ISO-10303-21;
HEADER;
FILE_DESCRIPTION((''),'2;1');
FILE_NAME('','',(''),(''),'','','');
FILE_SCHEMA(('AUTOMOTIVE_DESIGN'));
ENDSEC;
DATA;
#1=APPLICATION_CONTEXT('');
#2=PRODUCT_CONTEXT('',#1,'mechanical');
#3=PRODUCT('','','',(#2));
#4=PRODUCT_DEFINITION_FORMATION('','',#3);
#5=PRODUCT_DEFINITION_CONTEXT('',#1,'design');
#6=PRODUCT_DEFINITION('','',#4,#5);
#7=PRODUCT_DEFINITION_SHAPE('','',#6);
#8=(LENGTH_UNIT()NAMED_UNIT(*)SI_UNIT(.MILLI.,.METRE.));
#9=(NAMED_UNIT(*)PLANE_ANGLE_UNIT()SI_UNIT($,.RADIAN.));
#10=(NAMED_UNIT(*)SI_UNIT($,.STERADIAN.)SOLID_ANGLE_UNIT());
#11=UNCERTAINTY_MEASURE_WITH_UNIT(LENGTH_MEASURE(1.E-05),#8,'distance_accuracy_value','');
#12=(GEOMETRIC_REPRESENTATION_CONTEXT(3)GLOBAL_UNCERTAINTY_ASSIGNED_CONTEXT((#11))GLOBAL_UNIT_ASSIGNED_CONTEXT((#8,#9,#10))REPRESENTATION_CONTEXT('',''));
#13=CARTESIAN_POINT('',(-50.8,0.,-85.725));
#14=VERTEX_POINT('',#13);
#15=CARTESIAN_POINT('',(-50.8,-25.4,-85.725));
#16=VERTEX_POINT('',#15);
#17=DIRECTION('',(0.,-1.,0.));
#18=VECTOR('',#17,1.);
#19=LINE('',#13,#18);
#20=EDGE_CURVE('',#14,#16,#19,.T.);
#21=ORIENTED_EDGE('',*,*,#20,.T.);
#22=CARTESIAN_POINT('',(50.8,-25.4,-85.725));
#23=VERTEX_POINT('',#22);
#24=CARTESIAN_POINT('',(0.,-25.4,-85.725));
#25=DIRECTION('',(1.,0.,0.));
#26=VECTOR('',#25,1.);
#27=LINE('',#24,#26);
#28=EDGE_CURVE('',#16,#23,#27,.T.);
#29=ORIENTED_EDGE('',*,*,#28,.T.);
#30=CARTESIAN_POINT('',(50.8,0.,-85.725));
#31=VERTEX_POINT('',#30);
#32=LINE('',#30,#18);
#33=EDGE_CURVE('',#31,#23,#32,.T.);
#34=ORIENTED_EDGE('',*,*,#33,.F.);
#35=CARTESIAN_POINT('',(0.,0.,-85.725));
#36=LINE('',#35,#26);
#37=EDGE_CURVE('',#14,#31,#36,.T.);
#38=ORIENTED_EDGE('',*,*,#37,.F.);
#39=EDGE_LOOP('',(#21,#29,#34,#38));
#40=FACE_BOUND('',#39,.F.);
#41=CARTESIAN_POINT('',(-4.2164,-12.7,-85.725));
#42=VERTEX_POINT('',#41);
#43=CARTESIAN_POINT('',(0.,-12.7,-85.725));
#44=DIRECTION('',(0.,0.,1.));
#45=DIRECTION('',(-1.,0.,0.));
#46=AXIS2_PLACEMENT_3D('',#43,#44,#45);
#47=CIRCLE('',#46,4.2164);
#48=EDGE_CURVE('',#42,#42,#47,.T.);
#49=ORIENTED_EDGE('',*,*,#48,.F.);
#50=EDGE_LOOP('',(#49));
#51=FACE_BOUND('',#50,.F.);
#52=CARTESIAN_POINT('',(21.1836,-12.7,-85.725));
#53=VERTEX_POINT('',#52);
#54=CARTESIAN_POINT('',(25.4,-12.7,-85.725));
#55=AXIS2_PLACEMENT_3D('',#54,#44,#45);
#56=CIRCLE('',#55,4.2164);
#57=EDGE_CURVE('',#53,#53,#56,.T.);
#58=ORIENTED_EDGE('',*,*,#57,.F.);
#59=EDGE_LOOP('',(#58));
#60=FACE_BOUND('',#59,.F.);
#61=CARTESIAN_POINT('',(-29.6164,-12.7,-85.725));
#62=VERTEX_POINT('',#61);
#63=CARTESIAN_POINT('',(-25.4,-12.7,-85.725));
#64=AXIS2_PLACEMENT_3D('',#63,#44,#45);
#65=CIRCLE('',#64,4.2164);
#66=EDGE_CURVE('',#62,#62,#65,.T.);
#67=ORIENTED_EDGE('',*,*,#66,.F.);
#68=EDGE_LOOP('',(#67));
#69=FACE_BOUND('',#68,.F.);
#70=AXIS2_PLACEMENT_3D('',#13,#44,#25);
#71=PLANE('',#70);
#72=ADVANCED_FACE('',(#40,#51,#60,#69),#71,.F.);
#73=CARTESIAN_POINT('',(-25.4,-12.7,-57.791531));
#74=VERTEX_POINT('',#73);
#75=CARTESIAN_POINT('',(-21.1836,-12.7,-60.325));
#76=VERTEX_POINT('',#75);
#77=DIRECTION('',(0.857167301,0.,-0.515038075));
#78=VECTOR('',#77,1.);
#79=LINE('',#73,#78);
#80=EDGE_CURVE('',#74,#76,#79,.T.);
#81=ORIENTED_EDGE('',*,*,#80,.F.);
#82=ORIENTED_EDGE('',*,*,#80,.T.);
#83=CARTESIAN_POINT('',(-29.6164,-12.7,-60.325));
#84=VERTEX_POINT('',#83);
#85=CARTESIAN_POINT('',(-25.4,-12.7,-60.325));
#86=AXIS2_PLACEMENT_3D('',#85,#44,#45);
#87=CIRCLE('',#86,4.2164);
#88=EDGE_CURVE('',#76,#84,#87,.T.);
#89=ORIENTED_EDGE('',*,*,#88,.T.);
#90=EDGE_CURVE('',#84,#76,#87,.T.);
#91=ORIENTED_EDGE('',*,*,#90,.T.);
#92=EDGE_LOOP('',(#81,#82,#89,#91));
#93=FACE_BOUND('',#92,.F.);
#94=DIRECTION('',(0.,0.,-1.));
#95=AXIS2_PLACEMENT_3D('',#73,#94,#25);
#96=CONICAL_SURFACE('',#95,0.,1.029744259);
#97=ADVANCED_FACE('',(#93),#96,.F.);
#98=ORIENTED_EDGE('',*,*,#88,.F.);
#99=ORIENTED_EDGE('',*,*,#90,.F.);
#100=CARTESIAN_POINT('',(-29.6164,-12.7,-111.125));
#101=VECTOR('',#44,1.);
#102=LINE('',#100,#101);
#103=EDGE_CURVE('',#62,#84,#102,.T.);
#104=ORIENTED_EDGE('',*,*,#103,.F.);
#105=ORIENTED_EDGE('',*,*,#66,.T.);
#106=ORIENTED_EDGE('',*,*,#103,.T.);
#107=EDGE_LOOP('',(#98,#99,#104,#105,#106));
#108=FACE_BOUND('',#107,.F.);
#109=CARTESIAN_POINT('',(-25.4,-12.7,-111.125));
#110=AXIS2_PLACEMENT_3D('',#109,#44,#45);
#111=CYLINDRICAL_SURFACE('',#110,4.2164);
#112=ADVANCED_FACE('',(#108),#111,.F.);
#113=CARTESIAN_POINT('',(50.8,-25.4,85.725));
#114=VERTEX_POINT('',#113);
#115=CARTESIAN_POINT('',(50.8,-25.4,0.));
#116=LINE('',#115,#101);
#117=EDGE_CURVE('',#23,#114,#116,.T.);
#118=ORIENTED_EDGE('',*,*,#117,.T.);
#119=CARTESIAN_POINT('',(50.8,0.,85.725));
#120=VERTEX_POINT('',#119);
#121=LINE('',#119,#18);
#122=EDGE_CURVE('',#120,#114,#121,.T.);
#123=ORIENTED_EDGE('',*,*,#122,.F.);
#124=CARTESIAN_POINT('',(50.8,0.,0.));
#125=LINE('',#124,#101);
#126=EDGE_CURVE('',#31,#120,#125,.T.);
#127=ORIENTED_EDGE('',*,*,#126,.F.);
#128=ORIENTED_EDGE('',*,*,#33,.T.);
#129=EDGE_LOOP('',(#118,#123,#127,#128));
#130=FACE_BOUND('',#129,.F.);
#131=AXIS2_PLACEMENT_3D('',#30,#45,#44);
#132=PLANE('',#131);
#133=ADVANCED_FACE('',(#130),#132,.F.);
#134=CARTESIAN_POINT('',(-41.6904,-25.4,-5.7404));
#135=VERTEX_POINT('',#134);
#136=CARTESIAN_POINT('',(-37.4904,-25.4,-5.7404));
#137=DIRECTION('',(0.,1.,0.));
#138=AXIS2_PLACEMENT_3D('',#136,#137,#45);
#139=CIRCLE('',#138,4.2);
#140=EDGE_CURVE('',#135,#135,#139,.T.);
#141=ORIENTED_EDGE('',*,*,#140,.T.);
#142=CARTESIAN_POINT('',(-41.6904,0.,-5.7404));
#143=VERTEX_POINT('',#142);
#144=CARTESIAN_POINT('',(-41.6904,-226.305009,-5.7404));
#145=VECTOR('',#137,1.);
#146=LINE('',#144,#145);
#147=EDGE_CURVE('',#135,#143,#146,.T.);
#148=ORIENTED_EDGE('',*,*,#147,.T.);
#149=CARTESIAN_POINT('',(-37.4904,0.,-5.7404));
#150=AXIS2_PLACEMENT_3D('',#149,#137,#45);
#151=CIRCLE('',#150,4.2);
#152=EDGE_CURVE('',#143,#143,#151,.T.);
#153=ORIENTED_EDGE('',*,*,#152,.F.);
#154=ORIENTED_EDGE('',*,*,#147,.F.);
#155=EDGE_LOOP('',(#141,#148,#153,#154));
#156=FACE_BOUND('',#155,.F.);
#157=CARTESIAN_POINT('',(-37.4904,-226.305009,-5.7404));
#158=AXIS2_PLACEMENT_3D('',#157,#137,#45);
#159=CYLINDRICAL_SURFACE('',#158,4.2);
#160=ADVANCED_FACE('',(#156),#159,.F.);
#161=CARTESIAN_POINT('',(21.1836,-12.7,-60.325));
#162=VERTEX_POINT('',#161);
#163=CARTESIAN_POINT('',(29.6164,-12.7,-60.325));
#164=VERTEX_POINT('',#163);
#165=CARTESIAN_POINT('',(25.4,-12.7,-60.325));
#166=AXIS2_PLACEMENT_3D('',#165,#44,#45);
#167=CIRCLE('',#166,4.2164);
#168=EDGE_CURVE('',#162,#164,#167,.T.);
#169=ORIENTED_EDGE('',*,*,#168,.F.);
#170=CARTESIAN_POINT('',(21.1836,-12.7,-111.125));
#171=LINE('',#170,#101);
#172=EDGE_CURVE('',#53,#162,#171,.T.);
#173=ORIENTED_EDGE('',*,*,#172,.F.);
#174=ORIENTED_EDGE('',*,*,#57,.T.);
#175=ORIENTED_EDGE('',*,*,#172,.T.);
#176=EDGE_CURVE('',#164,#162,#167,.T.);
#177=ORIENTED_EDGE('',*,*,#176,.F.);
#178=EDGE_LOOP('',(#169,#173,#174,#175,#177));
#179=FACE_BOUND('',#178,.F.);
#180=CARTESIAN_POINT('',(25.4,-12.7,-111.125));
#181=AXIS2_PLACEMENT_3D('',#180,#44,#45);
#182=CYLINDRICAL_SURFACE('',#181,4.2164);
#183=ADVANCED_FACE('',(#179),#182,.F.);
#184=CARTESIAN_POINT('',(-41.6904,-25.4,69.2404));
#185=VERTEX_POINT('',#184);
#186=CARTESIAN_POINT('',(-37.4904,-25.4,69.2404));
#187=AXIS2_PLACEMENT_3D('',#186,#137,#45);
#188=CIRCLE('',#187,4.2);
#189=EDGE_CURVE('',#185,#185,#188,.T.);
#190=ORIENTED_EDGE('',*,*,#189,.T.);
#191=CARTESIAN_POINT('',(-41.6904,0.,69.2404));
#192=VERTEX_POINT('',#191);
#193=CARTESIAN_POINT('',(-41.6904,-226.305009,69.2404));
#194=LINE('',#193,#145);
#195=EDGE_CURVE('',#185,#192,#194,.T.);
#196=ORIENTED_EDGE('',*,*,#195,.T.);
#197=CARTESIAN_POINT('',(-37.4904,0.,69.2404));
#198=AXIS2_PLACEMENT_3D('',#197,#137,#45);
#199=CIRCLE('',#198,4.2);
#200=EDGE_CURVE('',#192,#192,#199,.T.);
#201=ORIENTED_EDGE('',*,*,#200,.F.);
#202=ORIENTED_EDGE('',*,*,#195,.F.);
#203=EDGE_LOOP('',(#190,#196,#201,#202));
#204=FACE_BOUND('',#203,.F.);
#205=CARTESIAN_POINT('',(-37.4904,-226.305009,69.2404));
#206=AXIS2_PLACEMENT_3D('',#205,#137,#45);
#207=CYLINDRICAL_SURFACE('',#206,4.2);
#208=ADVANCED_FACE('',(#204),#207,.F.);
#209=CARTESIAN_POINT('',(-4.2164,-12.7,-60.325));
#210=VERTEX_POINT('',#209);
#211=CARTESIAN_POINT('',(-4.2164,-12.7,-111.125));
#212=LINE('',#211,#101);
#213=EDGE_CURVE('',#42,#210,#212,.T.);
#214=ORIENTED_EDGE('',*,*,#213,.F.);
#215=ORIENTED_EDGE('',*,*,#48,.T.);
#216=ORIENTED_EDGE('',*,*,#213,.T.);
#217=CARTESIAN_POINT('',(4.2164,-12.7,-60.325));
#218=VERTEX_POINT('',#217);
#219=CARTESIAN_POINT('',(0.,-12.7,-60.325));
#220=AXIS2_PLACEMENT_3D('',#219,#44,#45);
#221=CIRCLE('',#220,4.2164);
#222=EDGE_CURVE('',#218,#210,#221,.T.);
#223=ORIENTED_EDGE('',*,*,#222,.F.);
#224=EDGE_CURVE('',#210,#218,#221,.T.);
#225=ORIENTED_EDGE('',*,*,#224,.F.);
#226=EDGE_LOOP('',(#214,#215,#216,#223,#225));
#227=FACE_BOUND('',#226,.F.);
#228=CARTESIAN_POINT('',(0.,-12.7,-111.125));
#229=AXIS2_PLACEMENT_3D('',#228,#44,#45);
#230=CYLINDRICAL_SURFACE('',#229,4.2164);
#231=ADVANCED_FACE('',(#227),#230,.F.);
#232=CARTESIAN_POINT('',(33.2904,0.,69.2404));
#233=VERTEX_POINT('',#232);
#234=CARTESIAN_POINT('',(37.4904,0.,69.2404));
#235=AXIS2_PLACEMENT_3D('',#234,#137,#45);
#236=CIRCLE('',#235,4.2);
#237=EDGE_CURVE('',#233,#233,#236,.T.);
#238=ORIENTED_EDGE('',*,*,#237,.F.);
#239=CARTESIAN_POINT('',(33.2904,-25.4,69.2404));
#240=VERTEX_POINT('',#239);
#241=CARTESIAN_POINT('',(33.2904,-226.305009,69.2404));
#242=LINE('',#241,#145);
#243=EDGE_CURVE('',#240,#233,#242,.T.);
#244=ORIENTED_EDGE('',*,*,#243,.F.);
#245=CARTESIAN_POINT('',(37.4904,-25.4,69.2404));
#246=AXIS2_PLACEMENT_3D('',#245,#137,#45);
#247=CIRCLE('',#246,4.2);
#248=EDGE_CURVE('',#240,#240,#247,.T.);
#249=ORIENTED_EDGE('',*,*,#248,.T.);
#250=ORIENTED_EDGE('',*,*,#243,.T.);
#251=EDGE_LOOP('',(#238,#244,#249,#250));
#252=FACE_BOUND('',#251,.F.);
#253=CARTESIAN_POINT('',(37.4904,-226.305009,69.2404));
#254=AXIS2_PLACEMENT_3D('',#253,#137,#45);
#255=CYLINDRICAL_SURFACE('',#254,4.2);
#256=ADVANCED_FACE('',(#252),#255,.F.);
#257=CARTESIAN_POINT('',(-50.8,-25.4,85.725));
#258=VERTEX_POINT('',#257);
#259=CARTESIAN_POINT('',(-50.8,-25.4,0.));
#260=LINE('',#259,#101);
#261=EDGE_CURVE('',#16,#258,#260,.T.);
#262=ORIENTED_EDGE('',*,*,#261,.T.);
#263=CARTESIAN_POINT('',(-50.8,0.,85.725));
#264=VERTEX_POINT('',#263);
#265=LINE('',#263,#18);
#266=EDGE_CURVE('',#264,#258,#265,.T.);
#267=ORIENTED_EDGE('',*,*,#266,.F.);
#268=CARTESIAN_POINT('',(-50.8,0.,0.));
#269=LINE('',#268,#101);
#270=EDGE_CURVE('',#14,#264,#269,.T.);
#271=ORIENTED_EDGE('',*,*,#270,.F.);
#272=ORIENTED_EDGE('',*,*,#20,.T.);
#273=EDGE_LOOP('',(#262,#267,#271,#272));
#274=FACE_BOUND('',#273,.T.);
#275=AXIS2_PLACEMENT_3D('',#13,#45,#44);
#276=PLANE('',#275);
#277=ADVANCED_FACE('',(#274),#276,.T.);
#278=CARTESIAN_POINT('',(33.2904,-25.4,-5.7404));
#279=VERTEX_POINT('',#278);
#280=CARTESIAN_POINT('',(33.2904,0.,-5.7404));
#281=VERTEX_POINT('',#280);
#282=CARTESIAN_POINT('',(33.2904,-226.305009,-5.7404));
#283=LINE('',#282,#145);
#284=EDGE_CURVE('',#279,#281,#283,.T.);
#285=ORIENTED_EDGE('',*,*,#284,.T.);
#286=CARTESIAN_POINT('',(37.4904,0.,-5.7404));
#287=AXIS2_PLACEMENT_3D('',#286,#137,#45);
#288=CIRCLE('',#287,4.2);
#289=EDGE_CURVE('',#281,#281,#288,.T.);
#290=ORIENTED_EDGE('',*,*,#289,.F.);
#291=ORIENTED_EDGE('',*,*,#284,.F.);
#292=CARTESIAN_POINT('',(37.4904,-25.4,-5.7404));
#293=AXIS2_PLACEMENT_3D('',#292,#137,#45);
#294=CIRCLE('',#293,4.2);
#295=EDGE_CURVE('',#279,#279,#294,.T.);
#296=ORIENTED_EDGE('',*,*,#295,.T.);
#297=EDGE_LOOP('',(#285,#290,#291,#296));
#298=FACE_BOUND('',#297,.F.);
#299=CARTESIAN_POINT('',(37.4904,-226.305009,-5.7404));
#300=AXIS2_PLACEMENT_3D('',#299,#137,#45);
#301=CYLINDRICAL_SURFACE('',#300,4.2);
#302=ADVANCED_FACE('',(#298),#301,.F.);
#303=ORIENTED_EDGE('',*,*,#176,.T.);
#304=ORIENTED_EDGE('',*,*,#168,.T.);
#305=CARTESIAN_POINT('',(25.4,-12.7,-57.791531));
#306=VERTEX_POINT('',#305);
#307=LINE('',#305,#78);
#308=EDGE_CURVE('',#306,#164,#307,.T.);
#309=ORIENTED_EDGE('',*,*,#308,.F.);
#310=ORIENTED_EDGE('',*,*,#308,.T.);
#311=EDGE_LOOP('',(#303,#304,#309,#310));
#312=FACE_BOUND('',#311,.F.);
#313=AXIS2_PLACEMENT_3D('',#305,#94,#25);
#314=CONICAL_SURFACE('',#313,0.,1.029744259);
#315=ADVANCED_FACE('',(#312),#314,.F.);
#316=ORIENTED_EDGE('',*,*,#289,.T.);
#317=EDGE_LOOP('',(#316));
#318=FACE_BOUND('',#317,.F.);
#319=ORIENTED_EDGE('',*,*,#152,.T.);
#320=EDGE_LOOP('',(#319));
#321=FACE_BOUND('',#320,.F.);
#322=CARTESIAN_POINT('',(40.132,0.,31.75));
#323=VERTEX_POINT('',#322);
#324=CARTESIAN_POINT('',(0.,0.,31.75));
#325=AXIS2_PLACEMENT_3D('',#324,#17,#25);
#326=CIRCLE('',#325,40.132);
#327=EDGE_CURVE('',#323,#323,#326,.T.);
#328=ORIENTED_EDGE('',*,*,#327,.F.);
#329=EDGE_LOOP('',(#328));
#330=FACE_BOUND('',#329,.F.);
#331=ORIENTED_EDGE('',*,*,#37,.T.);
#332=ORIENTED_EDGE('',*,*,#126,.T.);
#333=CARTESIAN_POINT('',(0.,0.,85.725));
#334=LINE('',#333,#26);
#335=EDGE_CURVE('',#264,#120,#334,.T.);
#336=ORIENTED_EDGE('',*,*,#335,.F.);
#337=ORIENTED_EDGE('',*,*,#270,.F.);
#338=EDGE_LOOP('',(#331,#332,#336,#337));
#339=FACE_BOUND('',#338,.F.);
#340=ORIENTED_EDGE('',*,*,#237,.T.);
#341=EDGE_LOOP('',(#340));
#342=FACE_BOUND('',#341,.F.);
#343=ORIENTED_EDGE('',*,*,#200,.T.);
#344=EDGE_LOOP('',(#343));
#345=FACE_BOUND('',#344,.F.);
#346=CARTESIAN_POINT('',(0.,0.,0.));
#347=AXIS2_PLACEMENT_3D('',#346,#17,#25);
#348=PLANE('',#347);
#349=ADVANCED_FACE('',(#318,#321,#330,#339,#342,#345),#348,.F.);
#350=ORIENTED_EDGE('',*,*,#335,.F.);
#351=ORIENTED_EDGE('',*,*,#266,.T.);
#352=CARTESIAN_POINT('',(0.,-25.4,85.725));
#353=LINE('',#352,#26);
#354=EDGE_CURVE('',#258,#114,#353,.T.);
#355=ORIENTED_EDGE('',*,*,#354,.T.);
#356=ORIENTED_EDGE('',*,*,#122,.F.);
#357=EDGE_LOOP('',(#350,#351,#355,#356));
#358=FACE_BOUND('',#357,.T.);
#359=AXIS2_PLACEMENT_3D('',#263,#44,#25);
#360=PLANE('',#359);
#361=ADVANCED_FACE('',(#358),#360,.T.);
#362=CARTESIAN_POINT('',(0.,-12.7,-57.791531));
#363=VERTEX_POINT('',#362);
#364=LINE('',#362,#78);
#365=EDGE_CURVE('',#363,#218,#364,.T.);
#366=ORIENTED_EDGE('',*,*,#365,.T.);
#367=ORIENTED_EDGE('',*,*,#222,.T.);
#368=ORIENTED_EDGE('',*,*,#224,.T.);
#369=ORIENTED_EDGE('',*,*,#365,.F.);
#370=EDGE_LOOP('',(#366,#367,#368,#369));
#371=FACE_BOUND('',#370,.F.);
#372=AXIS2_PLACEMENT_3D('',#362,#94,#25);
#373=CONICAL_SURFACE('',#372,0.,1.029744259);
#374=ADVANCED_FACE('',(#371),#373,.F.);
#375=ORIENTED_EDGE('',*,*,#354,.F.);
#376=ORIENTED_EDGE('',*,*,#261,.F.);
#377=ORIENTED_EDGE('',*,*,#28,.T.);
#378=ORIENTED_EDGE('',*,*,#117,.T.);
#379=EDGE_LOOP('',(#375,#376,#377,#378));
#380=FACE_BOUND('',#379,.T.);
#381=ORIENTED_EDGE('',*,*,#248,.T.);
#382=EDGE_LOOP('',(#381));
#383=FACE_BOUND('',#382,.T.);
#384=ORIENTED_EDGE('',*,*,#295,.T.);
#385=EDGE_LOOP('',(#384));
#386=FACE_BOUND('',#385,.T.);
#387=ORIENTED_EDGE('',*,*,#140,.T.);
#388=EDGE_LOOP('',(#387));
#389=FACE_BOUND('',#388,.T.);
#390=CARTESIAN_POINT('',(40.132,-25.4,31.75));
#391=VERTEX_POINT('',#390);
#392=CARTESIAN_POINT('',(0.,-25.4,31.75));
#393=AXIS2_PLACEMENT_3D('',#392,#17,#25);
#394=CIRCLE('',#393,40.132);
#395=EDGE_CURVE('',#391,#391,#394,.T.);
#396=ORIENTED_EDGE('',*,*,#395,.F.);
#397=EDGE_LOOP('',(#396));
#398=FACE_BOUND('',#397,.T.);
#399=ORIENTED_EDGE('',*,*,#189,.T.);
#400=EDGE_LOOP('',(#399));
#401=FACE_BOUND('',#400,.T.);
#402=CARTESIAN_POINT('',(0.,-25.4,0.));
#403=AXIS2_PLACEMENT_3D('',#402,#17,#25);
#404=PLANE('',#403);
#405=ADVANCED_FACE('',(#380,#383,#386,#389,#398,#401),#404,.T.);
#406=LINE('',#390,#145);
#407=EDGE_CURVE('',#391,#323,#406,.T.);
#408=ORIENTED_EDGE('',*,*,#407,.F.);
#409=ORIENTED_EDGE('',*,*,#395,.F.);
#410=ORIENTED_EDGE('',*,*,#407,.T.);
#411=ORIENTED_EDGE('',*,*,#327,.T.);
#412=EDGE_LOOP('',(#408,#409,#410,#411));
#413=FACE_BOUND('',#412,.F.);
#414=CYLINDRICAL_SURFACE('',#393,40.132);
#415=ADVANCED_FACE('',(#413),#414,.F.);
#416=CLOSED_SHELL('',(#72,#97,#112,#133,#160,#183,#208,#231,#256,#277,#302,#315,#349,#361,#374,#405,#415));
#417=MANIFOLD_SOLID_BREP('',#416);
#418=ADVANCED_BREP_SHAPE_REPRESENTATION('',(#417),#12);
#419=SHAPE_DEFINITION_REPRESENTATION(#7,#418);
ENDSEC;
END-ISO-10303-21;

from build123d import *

# Parameters (mm, degrees)
F0_W     = 101.6
F0_H     = 171.45
F1_DEPTH = 25.4
F3_D     = 8.4328
F3_DEPTH = 25.4
F3_TIP   = 2.5334687141
F4_R     = 40.132
F5_DEPTH = 25.401
F7_D     = 8.4


with BuildPart() as f1:
    # F0 (on Front) → F1 (new body)
    with BuildSketch(Plane.XZ):
        Rectangle(F0_W, F0_H)
    extrude(amount=F1_DEPTH)

    # F3
    with Locations(Plane(origin=(0, 0, -85.725), x_dir=(1, 0, 0), z_dir=(0, 0, -1))):
        with Locations((-25.4, 12.7), (25.4, 12.7), (0, 12.7)):
            Hole(F3_D / 2, depth=F3_DEPTH)
            with Locations((0, 0, -(F3_DEPTH + F3_TIP / 2))):  # 118° drill point
                Cone(0, F3_D / 2, F3_TIP, mode=Mode.SUBTRACT)

    # F4 (on face) → F5 (cut, through all)
    with BuildSketch(Plane.XZ.offset(25.4)):
        with Locations((0, 31.75)):
            Circle(F4_R)
    extrude(amount=-F5_DEPTH, mode=Mode.SUBTRACT)

    # F7 (through all)
    with Locations(Plane.XZ.offset(25.4)):
        with Locations((-37.4904, 69.2404), (37.4904, 69.2404), (37.4904, -5.7404), (-37.4904, -5.7404)):
            Hole(F7_D / 2)


solid = f1.part
